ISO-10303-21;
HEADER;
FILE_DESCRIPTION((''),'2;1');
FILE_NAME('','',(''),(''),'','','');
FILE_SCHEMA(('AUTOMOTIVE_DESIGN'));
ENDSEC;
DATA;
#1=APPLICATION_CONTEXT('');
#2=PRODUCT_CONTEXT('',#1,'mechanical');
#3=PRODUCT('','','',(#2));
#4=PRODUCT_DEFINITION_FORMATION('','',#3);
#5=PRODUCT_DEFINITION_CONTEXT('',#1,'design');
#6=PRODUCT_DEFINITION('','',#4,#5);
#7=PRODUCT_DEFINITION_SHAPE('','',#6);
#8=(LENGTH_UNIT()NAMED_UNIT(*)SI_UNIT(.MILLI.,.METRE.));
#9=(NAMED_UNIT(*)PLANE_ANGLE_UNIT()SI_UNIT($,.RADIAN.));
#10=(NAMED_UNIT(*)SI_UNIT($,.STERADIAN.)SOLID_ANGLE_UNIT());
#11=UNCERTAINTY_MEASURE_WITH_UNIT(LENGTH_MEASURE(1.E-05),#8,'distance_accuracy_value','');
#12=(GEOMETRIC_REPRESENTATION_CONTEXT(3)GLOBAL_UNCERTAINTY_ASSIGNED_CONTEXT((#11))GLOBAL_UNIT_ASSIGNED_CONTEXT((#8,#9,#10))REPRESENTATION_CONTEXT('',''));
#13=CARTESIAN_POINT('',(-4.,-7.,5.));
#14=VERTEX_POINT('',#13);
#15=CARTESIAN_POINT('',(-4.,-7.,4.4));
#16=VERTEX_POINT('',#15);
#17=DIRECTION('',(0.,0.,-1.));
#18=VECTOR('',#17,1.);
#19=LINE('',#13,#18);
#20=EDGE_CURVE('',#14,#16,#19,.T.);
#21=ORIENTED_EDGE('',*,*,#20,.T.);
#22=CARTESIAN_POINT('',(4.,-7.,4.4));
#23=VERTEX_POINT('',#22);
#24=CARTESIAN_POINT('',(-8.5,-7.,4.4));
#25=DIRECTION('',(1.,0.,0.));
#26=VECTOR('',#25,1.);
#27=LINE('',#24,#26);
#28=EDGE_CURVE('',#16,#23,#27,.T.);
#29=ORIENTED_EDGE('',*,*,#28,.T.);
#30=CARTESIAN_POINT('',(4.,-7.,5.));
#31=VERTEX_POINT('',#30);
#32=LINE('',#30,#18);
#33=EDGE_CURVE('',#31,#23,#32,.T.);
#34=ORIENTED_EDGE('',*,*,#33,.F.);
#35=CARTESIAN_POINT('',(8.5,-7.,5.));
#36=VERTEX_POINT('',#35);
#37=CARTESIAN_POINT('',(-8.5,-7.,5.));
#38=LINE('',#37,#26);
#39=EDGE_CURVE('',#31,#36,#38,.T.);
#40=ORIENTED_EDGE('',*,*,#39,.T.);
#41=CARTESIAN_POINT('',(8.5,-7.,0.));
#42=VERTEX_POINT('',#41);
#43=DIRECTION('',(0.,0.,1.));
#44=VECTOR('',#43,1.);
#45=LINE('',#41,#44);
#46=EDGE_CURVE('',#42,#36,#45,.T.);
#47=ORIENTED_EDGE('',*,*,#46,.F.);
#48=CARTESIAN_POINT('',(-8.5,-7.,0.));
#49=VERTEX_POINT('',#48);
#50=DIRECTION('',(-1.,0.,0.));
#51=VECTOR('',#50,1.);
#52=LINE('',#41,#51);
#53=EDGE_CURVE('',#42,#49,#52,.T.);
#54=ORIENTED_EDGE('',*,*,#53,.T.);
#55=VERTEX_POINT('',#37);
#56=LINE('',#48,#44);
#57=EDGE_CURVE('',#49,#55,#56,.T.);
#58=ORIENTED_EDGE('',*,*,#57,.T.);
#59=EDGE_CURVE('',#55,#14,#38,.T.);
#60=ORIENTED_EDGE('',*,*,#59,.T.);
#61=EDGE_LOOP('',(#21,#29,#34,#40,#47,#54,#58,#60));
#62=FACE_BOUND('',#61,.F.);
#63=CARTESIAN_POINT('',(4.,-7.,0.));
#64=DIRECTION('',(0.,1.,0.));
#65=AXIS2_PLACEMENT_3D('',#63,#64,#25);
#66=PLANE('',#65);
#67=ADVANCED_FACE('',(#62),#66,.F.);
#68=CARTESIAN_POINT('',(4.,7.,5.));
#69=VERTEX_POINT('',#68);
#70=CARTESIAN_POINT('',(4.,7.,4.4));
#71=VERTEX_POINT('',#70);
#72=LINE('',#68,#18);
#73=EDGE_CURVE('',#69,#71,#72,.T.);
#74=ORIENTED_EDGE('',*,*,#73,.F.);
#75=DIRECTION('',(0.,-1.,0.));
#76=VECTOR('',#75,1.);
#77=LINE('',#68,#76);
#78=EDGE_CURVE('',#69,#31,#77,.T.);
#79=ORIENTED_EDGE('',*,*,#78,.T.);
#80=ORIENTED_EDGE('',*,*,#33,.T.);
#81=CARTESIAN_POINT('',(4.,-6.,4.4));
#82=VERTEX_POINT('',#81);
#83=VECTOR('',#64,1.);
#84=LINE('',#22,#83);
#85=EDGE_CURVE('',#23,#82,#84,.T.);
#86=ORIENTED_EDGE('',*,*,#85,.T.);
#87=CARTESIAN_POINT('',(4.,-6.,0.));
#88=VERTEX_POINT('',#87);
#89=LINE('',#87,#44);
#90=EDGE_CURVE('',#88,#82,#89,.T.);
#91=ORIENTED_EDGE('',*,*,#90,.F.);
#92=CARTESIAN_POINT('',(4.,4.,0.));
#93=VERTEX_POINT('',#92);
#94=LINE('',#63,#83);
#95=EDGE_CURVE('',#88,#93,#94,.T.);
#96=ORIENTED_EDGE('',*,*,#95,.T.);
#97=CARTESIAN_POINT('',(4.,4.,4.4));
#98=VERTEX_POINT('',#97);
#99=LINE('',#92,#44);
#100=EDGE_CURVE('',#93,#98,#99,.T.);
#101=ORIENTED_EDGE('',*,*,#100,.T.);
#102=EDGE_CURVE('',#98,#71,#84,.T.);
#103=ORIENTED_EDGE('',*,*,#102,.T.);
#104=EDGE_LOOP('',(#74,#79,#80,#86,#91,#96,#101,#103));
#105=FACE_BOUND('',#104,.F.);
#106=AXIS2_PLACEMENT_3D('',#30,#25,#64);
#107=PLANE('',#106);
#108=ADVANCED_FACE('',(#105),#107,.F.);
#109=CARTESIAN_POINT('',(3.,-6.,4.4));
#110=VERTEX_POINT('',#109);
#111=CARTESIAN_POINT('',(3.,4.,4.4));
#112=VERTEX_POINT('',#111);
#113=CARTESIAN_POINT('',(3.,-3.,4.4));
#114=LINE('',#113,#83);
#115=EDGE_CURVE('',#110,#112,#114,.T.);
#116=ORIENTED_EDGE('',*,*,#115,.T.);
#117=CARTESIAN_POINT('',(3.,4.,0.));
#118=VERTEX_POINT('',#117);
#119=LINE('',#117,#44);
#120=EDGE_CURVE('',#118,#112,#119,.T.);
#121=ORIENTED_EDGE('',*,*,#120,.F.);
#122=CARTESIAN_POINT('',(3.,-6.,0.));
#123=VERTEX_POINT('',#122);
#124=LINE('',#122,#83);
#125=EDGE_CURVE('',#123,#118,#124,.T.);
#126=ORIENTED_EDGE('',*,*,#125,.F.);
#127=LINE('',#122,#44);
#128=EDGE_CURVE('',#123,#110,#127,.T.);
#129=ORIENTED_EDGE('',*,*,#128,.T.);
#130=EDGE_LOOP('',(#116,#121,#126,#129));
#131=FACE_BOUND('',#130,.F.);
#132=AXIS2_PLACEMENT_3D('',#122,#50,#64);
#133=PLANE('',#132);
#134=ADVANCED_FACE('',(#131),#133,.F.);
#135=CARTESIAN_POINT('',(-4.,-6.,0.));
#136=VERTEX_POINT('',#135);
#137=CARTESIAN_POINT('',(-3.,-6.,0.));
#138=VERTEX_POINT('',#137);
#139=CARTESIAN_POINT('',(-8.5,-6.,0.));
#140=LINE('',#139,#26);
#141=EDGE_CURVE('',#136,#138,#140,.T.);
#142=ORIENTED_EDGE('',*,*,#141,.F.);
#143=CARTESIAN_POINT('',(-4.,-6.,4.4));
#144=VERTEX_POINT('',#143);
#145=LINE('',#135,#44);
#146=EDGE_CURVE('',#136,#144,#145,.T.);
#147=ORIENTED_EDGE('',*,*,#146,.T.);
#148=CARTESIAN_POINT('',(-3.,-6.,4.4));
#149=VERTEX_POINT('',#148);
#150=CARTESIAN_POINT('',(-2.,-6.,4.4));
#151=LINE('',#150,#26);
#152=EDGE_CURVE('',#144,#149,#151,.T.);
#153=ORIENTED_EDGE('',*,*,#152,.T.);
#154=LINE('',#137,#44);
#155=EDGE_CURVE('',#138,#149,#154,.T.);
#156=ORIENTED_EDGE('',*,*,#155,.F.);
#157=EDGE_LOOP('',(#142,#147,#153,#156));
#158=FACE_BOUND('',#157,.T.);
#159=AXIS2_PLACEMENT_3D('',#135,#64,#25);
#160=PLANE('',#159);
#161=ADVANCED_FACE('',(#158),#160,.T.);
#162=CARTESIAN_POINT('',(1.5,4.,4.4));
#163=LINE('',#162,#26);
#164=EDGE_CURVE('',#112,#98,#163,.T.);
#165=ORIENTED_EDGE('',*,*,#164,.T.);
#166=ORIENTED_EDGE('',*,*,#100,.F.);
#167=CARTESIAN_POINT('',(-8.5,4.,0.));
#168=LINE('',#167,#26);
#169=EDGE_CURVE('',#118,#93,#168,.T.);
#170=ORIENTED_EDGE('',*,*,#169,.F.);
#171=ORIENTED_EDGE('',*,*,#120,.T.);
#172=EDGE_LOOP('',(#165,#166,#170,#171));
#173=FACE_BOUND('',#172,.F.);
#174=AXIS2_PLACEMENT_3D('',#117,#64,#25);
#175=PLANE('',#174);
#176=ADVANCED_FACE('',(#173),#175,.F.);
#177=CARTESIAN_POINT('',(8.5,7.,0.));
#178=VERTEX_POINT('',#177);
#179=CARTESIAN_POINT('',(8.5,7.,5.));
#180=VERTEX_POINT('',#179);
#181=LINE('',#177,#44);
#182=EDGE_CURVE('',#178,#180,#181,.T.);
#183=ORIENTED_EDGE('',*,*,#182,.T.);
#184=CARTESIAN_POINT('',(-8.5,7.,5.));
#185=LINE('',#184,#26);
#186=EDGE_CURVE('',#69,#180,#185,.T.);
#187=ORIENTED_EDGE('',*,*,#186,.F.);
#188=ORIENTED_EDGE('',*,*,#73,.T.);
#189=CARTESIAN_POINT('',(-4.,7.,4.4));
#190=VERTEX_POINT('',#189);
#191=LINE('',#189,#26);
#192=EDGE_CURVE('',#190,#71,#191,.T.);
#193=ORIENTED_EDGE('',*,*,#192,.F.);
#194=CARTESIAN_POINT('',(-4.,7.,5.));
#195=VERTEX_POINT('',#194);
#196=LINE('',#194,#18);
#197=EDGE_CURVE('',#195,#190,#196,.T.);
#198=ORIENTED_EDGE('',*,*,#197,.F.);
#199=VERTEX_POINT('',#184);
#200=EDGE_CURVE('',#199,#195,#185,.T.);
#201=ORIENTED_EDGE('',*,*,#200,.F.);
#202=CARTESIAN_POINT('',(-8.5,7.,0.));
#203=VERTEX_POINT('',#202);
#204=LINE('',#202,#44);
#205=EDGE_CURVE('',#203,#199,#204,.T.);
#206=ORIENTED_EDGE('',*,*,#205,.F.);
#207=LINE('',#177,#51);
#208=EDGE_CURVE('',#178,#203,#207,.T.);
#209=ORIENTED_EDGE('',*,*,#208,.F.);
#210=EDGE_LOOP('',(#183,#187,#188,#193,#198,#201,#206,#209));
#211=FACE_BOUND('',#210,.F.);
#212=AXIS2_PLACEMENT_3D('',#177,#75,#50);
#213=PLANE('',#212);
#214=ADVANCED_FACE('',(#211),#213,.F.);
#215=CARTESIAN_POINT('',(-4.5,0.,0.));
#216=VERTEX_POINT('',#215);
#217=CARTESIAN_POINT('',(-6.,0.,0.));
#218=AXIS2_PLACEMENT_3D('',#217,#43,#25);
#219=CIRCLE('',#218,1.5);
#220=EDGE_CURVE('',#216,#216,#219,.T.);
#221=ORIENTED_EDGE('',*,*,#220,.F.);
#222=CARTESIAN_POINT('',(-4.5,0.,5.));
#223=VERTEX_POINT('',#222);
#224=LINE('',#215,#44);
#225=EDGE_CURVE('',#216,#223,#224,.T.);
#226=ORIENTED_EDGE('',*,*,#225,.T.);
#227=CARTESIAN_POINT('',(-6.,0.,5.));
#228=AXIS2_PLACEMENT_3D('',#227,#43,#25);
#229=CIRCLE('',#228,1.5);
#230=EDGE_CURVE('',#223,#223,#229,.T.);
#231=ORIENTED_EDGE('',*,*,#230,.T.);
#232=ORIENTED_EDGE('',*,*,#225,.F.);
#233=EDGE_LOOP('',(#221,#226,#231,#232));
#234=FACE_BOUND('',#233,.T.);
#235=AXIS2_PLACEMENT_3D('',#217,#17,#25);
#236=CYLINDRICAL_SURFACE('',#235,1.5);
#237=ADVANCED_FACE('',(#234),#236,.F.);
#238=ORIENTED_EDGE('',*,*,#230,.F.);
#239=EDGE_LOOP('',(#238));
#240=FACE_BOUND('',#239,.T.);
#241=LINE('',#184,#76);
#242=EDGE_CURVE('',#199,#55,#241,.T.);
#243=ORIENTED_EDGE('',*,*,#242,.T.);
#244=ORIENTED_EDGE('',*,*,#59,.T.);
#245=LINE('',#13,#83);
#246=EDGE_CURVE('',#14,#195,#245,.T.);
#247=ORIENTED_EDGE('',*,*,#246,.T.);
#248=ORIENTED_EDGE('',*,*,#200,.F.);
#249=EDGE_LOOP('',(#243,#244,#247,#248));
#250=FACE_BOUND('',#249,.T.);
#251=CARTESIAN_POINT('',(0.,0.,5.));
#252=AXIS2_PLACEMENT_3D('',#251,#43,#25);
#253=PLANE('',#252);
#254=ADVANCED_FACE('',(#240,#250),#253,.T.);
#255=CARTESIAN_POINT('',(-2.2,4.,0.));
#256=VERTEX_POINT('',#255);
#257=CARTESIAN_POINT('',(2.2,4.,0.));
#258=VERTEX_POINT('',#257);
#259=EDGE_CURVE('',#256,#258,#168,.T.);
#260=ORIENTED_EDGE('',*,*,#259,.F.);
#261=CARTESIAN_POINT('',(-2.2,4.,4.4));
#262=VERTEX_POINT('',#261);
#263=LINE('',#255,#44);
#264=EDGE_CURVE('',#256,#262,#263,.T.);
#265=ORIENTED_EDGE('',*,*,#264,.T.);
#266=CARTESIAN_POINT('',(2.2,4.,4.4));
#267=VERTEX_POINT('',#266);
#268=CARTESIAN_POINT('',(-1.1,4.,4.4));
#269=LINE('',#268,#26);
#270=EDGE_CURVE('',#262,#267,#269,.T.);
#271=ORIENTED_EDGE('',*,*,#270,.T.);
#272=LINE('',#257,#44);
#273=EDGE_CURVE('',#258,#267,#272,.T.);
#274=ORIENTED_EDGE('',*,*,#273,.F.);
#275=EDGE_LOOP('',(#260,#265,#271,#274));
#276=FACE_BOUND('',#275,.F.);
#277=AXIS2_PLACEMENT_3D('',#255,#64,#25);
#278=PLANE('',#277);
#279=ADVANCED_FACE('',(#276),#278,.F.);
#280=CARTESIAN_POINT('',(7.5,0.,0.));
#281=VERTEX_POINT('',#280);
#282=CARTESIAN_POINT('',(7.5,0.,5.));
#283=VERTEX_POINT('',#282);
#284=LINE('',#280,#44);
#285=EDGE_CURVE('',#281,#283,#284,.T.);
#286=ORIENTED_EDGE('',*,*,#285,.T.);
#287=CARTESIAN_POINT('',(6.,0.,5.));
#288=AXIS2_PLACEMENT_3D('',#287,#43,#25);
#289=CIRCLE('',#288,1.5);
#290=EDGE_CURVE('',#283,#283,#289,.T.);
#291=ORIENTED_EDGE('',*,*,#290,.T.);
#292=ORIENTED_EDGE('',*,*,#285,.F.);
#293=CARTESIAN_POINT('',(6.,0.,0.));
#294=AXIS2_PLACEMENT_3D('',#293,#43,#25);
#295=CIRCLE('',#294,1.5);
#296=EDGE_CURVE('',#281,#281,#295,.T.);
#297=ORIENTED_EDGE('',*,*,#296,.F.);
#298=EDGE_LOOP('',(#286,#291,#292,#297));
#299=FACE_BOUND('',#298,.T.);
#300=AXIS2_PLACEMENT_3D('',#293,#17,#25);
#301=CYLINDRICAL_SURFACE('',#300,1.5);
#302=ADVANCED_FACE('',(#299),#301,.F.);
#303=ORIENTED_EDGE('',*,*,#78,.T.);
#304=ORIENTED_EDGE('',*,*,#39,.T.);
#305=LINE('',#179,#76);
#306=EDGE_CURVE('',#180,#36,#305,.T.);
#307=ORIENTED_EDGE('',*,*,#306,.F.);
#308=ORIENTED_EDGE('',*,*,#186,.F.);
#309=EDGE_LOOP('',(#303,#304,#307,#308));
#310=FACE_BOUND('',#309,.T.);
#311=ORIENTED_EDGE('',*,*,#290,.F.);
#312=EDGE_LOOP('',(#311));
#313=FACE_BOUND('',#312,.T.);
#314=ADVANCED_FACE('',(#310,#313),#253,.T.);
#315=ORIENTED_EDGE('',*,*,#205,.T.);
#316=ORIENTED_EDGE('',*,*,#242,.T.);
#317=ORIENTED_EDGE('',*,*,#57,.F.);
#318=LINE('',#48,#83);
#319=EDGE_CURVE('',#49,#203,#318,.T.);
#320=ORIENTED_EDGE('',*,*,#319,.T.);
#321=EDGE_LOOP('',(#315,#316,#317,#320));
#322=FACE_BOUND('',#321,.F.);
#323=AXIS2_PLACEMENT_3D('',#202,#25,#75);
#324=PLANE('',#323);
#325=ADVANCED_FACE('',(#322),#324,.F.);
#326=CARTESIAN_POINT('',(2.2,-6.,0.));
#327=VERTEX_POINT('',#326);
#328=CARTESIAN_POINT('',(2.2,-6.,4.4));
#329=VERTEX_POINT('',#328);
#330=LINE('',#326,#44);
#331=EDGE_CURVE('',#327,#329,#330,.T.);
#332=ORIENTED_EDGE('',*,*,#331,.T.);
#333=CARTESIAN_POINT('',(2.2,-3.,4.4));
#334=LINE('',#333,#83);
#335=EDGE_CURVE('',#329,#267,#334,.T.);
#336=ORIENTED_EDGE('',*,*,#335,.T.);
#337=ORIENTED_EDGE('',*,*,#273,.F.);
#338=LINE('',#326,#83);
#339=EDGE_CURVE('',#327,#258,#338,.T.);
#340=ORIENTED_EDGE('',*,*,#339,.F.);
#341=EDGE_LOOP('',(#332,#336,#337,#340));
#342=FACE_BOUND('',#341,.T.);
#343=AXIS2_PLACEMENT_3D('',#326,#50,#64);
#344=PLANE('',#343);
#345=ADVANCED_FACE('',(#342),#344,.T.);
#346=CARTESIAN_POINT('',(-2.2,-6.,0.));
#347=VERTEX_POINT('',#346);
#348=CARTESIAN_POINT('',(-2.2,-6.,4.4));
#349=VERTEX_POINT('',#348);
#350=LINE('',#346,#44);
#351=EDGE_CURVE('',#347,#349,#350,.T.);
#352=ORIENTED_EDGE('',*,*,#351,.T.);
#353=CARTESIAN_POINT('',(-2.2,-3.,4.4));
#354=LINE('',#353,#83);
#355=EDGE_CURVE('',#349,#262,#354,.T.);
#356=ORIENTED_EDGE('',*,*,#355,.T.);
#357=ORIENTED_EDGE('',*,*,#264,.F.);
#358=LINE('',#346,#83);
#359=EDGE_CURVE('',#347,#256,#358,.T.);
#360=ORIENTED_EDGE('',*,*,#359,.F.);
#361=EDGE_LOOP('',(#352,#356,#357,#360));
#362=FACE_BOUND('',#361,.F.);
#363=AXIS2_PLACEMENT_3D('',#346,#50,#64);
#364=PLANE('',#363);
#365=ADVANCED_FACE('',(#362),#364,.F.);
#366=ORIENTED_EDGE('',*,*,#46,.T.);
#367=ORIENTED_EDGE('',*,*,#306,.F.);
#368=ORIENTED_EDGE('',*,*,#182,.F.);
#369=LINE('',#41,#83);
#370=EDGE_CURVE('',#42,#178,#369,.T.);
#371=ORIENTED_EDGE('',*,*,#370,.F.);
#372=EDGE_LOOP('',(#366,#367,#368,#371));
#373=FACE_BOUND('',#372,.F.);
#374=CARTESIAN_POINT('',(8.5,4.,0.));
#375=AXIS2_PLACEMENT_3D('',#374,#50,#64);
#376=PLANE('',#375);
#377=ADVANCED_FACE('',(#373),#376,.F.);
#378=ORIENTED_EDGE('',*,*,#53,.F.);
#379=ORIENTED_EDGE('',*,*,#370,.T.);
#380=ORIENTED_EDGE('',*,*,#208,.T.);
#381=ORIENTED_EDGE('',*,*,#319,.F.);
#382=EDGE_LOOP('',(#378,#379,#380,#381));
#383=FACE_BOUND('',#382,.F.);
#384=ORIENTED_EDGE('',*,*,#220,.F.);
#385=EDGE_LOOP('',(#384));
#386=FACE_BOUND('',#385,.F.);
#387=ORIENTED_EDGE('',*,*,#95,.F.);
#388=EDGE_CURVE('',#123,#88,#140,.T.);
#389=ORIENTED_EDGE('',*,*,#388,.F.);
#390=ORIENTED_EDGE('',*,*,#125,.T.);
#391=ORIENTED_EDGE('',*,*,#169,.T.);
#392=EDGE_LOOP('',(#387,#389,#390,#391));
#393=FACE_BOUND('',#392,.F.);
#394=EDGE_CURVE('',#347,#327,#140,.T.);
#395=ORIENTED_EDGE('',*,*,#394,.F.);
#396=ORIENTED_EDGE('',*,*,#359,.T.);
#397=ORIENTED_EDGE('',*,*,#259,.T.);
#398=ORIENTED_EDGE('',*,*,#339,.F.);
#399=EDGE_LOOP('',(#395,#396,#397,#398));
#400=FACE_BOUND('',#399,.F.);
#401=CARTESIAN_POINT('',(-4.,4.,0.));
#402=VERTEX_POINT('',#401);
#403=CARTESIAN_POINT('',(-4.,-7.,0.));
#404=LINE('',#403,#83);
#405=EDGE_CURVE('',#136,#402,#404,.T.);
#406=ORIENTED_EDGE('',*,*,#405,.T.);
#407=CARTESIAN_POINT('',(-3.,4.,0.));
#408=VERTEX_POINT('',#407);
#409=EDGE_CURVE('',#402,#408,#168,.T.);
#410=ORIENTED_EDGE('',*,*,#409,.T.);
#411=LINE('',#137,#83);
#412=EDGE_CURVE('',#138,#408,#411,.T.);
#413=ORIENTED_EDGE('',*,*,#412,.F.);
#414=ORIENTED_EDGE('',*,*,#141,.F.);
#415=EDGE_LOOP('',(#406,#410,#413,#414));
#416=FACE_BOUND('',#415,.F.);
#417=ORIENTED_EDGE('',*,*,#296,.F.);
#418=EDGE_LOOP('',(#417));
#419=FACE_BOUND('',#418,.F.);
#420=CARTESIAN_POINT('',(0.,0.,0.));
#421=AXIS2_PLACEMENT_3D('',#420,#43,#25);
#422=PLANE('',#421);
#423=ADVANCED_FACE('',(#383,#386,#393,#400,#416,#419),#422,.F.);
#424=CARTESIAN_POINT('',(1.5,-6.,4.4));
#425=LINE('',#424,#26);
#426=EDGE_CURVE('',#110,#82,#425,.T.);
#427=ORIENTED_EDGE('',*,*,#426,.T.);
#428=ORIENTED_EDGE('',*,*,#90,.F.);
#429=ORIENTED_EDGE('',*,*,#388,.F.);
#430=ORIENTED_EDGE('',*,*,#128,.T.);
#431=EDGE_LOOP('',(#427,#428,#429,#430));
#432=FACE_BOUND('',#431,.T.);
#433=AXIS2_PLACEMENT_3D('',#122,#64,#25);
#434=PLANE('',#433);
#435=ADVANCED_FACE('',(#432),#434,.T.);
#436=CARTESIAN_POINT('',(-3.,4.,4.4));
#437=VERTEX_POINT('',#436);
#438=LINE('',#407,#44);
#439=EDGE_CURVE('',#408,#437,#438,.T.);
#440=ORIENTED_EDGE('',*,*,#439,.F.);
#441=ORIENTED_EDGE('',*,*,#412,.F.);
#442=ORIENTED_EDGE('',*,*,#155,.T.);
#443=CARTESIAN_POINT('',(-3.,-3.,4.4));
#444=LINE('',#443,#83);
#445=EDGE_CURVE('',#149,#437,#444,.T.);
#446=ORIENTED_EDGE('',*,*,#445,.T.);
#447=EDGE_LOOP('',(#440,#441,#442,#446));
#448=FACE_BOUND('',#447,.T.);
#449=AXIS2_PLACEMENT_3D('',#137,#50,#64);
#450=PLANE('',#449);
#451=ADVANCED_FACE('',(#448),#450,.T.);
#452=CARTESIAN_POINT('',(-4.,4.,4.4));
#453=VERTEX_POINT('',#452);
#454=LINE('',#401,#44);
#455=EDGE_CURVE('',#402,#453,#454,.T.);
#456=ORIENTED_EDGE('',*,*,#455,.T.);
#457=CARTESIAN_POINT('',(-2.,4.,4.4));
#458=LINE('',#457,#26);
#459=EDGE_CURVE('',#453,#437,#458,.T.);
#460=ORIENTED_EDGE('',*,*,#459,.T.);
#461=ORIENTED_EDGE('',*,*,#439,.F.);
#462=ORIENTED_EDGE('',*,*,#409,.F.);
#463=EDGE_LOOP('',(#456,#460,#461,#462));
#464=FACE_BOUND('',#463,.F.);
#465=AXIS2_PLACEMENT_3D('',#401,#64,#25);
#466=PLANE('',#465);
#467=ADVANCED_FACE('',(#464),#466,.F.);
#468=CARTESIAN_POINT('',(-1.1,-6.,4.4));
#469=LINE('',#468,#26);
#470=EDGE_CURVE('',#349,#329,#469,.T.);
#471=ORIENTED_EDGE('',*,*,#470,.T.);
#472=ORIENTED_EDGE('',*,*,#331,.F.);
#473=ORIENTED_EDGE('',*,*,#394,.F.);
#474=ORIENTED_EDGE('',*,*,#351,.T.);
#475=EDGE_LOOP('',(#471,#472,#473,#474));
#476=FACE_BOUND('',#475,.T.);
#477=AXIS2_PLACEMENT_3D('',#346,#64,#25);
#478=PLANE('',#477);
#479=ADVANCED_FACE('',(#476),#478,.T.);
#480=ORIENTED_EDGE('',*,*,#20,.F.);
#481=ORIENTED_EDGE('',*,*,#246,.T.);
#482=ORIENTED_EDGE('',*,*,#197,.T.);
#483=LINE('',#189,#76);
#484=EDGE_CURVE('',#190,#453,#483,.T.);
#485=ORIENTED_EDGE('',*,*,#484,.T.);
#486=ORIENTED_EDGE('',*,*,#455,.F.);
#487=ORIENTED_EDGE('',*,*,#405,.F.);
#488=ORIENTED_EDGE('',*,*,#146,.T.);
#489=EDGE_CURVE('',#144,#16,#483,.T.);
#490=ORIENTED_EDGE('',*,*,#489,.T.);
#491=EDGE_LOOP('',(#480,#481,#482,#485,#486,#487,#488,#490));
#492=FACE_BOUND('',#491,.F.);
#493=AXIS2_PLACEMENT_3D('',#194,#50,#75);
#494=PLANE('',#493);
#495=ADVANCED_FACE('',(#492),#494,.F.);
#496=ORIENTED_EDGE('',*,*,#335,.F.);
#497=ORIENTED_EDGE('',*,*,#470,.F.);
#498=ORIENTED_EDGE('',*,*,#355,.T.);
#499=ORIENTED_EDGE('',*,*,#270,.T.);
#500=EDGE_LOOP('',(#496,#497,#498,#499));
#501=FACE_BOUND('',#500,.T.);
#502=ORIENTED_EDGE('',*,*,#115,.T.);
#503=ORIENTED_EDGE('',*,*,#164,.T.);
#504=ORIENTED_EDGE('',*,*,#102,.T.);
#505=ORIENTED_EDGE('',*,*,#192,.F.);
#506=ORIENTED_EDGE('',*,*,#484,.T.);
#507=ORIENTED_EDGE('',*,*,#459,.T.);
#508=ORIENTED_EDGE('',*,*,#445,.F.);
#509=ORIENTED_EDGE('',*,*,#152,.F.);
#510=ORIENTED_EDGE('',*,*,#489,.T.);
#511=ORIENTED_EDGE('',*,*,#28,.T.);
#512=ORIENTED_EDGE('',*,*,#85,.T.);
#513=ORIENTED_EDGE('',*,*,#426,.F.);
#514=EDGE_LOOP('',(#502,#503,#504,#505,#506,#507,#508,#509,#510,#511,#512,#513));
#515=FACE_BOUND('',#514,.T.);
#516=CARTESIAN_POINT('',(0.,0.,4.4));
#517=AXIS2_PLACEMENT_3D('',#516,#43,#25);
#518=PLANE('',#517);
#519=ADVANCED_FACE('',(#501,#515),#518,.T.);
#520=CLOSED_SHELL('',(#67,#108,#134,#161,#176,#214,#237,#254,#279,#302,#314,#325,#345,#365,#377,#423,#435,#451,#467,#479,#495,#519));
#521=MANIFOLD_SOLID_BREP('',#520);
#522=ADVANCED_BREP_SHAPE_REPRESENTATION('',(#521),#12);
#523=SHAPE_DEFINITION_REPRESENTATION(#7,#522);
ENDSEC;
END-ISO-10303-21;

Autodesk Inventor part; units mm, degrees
ref_plane "YZ Plane" through (0, 0, 0) normal (1, 0, 0) x (0, 1, 0)
ref_plane "XZ Plane" through (0, 0, 0) normal (0, 1, 0) x (-1, 0, 0)
ref_plane "XY Plane" through (0, 0, 0) normal (0, 0, 1) x (1, 0, 0)
sketch "スケッチ1" plane through (0, 0, 0) normal (0, 0, 1) x (1, 0, 0)
  line L0 (8.5, 7) -> (-8.5, 7)
  line L1 (-8.5, 7) -> (-8.5, -7)
  line L2 (-8.5, -7) -> (8.5, -7)
  line L3 (8.5, -7) -> (8.5, 7)
  line L4 (8.5, 7) -> (-8.5, -7) construction
  line L5 (-8.5, 7) -> (8.5, -7) construction
  circle A0 centre (-6, 0) radius 1.5
  circle A1 centre (6, 0) radius 1.5
  line L6 (-8.5, -6) -> (8.5, -6)
  line L7 (-8.5, 4) -> (8.5, 4)
  line L8 (-4, -7) -> (-4, 7)
  line L9 (4, -7) -> (4, 7)
  line L10 (3, -6) -> (3, 4)
  line L11 (-3, -6) -> (-3, 4)
  line L12 (2.2, -6) -> (2.2, 4)
  line L13 (-2.2, -6) -> (-2.2, 4)
  point P0 (0, 0)
  point P1 (-4, -6)
  point P2 (-4, 4)
  point P3 (4, -6)
  point P4 (4, 4)
  dimension "d0" = 17
  dimension "d1" = 14
  dimension "d2" = 3
  dimension "d3" = 3
  dimension "d4" = 3
  dimension "d5" = 4.5
  dimension "d6" = 4.5
  dimension "d7" = 1
  dimension "d8" = 1
  dimension "d9" = 1
extrude "押し出し1" add sketch "スケッチ1" along normal blind 5 contours L3 L7 L9 L0 | L9 L7 L8 L0 | L3 L6 L9 L7 | L8 L7 L1 L0 | L3 L2 L9 L6 | L8 L6 L1 L7 | L10 L6 L12 L7 | L9 L2 L8 L6 | L7 L13 L6 L11 | L8 L2 L1 L6
sketch "スケッチ2" plane through (0, 0, 5) normal (0, 0, 1) x (1, 0, 0)
  line L0 (8.5, 7) -> (-8.5, 7) projected
  line L1 (0, 7) -> (-4, 7)
  line L2 (-4, 7) -> (-4, -7)
  line L3 (-8.5, -7) -> (8.5, -7) projected
  line L4 (-4, -7) -> (4, -7)
  line L5 (4, -7) -> (4, 7)
  line L6 (4, 7) -> (0, 7)
  point P0 (0, 0)
  dimension "d12" = 4
  dimension "d13" = 8
extrude "押し出し2" cut sketch "スケッチ2" against normal blind 0.6
properties part number "greiper_TPU" material "ゴム、シリコーン"
